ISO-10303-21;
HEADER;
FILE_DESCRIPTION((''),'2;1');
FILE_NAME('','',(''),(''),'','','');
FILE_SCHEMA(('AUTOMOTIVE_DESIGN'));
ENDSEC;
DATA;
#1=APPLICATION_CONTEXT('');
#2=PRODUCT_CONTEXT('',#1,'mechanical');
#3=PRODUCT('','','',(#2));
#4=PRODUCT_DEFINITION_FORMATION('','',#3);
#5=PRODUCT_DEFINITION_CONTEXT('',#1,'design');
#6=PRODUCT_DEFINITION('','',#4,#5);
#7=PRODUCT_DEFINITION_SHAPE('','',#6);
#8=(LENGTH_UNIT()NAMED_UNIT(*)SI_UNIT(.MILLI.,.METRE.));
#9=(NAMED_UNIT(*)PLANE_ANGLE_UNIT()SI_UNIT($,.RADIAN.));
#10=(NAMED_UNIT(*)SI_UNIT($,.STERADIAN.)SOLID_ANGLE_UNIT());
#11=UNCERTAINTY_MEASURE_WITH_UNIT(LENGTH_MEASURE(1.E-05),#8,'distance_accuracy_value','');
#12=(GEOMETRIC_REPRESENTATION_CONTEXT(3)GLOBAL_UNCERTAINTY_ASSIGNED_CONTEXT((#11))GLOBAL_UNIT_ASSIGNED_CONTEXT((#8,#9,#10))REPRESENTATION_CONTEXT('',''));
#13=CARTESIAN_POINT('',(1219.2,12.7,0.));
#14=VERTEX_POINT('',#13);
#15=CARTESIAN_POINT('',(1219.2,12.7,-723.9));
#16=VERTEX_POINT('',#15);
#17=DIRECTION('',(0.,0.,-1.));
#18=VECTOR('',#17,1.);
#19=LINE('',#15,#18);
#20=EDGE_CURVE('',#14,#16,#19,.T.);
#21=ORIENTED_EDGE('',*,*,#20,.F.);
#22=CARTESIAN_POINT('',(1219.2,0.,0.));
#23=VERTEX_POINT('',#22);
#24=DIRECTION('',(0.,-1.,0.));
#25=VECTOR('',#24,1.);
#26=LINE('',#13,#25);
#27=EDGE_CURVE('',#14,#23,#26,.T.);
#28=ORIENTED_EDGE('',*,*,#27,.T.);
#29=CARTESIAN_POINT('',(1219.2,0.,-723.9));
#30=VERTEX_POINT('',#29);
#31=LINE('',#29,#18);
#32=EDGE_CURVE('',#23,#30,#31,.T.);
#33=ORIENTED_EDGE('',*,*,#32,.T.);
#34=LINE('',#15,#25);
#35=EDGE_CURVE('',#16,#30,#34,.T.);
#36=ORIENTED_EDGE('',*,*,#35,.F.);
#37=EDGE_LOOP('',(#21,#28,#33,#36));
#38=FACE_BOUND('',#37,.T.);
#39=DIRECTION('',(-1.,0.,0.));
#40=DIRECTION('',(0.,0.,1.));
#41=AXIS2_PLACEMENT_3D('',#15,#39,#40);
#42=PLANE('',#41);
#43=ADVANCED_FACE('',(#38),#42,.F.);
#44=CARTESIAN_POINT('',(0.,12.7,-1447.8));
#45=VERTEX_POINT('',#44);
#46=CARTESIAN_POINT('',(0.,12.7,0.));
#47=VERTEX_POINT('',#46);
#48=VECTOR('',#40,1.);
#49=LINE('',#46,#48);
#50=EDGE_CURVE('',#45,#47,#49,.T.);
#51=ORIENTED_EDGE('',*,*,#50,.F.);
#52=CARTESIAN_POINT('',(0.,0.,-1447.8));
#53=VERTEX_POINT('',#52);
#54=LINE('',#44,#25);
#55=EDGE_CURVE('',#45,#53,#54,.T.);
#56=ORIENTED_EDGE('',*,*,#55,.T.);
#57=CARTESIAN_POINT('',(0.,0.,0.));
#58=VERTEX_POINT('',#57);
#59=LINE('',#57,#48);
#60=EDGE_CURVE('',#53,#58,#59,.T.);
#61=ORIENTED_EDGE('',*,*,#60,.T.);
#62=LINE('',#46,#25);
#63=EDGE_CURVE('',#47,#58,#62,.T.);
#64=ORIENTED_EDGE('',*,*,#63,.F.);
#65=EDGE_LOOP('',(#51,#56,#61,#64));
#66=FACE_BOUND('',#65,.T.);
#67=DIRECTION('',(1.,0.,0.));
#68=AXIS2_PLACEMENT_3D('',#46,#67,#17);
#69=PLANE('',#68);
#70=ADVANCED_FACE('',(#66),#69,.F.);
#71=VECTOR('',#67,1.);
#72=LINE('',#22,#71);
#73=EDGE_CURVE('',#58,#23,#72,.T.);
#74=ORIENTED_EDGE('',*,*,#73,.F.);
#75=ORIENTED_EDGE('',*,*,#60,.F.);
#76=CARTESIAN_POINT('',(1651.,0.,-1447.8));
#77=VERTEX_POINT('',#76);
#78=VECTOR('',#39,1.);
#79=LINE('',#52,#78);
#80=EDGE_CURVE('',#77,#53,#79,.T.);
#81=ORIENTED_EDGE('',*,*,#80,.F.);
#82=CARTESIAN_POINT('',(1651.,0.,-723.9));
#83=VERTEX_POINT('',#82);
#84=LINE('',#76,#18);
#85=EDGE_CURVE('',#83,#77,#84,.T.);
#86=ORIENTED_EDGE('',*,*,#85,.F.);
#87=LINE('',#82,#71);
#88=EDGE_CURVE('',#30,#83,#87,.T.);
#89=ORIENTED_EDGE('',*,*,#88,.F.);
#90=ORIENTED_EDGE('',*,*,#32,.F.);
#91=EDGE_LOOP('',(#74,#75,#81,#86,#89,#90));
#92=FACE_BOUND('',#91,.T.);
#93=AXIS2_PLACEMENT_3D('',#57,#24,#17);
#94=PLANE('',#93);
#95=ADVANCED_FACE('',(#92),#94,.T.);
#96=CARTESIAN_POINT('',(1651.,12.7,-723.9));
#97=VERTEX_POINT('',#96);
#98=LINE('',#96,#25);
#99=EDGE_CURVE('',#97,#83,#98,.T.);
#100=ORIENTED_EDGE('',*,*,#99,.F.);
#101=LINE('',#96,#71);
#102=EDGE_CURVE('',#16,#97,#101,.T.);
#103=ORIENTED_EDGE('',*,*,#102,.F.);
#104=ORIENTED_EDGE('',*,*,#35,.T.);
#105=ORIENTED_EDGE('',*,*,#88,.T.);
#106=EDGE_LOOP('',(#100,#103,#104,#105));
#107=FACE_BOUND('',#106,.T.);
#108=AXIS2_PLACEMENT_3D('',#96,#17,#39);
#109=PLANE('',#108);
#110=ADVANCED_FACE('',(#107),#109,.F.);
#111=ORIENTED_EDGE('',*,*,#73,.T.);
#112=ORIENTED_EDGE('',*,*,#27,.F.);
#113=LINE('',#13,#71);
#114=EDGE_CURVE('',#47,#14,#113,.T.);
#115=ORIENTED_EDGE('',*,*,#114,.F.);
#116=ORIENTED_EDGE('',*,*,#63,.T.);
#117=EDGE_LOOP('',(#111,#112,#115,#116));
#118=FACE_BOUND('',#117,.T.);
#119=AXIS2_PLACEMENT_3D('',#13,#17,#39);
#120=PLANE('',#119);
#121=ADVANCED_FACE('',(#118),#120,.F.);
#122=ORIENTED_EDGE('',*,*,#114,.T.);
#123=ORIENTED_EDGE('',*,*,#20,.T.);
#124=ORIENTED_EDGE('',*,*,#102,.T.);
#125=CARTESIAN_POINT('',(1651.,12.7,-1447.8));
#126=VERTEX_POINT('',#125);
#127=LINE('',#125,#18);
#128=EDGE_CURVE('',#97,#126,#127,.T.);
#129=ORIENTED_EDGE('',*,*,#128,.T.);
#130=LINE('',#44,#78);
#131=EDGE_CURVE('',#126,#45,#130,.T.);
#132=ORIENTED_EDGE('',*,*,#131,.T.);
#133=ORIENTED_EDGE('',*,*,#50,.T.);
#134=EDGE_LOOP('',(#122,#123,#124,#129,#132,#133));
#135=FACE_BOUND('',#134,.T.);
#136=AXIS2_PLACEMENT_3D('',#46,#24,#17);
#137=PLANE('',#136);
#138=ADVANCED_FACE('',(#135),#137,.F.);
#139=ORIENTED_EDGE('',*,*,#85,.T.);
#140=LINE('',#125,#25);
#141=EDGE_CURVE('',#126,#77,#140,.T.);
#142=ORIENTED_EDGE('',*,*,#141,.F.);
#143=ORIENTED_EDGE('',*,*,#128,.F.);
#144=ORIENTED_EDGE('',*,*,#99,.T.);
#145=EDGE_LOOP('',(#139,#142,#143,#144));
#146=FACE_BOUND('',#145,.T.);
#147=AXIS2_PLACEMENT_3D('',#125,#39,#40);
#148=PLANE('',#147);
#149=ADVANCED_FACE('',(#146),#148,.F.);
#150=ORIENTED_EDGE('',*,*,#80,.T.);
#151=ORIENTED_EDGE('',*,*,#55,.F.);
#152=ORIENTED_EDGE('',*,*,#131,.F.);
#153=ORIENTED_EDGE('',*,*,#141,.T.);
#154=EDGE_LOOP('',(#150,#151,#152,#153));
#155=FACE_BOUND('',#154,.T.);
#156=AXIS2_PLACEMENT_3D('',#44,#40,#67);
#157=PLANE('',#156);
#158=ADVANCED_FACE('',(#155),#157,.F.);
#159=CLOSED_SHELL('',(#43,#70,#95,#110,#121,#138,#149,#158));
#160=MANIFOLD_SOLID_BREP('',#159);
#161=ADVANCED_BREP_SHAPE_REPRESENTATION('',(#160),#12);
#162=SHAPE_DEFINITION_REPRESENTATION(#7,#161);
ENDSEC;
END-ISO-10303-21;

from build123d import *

# Parameters (mm, degrees)
BOSS_EXTRUDE1_DEPTH = 12.7


with BuildPart() as part:
    # Sketch1 → Boss-Extrude1 (new body)
    with BuildSketch(Plane(origin=(0, 0, 0), x_dir=(1, 0, 0), z_dir=(0, 1, 0))):
        Polygon((0, 0), (0, 1447.8), (1651, 1447.8), (1651, 723.9), (1219.2, 723.9), (1219.2, 0), align=None)
    extrude(amount=BOSS_EXTRUDE1_DEPTH)


solid = part.part
